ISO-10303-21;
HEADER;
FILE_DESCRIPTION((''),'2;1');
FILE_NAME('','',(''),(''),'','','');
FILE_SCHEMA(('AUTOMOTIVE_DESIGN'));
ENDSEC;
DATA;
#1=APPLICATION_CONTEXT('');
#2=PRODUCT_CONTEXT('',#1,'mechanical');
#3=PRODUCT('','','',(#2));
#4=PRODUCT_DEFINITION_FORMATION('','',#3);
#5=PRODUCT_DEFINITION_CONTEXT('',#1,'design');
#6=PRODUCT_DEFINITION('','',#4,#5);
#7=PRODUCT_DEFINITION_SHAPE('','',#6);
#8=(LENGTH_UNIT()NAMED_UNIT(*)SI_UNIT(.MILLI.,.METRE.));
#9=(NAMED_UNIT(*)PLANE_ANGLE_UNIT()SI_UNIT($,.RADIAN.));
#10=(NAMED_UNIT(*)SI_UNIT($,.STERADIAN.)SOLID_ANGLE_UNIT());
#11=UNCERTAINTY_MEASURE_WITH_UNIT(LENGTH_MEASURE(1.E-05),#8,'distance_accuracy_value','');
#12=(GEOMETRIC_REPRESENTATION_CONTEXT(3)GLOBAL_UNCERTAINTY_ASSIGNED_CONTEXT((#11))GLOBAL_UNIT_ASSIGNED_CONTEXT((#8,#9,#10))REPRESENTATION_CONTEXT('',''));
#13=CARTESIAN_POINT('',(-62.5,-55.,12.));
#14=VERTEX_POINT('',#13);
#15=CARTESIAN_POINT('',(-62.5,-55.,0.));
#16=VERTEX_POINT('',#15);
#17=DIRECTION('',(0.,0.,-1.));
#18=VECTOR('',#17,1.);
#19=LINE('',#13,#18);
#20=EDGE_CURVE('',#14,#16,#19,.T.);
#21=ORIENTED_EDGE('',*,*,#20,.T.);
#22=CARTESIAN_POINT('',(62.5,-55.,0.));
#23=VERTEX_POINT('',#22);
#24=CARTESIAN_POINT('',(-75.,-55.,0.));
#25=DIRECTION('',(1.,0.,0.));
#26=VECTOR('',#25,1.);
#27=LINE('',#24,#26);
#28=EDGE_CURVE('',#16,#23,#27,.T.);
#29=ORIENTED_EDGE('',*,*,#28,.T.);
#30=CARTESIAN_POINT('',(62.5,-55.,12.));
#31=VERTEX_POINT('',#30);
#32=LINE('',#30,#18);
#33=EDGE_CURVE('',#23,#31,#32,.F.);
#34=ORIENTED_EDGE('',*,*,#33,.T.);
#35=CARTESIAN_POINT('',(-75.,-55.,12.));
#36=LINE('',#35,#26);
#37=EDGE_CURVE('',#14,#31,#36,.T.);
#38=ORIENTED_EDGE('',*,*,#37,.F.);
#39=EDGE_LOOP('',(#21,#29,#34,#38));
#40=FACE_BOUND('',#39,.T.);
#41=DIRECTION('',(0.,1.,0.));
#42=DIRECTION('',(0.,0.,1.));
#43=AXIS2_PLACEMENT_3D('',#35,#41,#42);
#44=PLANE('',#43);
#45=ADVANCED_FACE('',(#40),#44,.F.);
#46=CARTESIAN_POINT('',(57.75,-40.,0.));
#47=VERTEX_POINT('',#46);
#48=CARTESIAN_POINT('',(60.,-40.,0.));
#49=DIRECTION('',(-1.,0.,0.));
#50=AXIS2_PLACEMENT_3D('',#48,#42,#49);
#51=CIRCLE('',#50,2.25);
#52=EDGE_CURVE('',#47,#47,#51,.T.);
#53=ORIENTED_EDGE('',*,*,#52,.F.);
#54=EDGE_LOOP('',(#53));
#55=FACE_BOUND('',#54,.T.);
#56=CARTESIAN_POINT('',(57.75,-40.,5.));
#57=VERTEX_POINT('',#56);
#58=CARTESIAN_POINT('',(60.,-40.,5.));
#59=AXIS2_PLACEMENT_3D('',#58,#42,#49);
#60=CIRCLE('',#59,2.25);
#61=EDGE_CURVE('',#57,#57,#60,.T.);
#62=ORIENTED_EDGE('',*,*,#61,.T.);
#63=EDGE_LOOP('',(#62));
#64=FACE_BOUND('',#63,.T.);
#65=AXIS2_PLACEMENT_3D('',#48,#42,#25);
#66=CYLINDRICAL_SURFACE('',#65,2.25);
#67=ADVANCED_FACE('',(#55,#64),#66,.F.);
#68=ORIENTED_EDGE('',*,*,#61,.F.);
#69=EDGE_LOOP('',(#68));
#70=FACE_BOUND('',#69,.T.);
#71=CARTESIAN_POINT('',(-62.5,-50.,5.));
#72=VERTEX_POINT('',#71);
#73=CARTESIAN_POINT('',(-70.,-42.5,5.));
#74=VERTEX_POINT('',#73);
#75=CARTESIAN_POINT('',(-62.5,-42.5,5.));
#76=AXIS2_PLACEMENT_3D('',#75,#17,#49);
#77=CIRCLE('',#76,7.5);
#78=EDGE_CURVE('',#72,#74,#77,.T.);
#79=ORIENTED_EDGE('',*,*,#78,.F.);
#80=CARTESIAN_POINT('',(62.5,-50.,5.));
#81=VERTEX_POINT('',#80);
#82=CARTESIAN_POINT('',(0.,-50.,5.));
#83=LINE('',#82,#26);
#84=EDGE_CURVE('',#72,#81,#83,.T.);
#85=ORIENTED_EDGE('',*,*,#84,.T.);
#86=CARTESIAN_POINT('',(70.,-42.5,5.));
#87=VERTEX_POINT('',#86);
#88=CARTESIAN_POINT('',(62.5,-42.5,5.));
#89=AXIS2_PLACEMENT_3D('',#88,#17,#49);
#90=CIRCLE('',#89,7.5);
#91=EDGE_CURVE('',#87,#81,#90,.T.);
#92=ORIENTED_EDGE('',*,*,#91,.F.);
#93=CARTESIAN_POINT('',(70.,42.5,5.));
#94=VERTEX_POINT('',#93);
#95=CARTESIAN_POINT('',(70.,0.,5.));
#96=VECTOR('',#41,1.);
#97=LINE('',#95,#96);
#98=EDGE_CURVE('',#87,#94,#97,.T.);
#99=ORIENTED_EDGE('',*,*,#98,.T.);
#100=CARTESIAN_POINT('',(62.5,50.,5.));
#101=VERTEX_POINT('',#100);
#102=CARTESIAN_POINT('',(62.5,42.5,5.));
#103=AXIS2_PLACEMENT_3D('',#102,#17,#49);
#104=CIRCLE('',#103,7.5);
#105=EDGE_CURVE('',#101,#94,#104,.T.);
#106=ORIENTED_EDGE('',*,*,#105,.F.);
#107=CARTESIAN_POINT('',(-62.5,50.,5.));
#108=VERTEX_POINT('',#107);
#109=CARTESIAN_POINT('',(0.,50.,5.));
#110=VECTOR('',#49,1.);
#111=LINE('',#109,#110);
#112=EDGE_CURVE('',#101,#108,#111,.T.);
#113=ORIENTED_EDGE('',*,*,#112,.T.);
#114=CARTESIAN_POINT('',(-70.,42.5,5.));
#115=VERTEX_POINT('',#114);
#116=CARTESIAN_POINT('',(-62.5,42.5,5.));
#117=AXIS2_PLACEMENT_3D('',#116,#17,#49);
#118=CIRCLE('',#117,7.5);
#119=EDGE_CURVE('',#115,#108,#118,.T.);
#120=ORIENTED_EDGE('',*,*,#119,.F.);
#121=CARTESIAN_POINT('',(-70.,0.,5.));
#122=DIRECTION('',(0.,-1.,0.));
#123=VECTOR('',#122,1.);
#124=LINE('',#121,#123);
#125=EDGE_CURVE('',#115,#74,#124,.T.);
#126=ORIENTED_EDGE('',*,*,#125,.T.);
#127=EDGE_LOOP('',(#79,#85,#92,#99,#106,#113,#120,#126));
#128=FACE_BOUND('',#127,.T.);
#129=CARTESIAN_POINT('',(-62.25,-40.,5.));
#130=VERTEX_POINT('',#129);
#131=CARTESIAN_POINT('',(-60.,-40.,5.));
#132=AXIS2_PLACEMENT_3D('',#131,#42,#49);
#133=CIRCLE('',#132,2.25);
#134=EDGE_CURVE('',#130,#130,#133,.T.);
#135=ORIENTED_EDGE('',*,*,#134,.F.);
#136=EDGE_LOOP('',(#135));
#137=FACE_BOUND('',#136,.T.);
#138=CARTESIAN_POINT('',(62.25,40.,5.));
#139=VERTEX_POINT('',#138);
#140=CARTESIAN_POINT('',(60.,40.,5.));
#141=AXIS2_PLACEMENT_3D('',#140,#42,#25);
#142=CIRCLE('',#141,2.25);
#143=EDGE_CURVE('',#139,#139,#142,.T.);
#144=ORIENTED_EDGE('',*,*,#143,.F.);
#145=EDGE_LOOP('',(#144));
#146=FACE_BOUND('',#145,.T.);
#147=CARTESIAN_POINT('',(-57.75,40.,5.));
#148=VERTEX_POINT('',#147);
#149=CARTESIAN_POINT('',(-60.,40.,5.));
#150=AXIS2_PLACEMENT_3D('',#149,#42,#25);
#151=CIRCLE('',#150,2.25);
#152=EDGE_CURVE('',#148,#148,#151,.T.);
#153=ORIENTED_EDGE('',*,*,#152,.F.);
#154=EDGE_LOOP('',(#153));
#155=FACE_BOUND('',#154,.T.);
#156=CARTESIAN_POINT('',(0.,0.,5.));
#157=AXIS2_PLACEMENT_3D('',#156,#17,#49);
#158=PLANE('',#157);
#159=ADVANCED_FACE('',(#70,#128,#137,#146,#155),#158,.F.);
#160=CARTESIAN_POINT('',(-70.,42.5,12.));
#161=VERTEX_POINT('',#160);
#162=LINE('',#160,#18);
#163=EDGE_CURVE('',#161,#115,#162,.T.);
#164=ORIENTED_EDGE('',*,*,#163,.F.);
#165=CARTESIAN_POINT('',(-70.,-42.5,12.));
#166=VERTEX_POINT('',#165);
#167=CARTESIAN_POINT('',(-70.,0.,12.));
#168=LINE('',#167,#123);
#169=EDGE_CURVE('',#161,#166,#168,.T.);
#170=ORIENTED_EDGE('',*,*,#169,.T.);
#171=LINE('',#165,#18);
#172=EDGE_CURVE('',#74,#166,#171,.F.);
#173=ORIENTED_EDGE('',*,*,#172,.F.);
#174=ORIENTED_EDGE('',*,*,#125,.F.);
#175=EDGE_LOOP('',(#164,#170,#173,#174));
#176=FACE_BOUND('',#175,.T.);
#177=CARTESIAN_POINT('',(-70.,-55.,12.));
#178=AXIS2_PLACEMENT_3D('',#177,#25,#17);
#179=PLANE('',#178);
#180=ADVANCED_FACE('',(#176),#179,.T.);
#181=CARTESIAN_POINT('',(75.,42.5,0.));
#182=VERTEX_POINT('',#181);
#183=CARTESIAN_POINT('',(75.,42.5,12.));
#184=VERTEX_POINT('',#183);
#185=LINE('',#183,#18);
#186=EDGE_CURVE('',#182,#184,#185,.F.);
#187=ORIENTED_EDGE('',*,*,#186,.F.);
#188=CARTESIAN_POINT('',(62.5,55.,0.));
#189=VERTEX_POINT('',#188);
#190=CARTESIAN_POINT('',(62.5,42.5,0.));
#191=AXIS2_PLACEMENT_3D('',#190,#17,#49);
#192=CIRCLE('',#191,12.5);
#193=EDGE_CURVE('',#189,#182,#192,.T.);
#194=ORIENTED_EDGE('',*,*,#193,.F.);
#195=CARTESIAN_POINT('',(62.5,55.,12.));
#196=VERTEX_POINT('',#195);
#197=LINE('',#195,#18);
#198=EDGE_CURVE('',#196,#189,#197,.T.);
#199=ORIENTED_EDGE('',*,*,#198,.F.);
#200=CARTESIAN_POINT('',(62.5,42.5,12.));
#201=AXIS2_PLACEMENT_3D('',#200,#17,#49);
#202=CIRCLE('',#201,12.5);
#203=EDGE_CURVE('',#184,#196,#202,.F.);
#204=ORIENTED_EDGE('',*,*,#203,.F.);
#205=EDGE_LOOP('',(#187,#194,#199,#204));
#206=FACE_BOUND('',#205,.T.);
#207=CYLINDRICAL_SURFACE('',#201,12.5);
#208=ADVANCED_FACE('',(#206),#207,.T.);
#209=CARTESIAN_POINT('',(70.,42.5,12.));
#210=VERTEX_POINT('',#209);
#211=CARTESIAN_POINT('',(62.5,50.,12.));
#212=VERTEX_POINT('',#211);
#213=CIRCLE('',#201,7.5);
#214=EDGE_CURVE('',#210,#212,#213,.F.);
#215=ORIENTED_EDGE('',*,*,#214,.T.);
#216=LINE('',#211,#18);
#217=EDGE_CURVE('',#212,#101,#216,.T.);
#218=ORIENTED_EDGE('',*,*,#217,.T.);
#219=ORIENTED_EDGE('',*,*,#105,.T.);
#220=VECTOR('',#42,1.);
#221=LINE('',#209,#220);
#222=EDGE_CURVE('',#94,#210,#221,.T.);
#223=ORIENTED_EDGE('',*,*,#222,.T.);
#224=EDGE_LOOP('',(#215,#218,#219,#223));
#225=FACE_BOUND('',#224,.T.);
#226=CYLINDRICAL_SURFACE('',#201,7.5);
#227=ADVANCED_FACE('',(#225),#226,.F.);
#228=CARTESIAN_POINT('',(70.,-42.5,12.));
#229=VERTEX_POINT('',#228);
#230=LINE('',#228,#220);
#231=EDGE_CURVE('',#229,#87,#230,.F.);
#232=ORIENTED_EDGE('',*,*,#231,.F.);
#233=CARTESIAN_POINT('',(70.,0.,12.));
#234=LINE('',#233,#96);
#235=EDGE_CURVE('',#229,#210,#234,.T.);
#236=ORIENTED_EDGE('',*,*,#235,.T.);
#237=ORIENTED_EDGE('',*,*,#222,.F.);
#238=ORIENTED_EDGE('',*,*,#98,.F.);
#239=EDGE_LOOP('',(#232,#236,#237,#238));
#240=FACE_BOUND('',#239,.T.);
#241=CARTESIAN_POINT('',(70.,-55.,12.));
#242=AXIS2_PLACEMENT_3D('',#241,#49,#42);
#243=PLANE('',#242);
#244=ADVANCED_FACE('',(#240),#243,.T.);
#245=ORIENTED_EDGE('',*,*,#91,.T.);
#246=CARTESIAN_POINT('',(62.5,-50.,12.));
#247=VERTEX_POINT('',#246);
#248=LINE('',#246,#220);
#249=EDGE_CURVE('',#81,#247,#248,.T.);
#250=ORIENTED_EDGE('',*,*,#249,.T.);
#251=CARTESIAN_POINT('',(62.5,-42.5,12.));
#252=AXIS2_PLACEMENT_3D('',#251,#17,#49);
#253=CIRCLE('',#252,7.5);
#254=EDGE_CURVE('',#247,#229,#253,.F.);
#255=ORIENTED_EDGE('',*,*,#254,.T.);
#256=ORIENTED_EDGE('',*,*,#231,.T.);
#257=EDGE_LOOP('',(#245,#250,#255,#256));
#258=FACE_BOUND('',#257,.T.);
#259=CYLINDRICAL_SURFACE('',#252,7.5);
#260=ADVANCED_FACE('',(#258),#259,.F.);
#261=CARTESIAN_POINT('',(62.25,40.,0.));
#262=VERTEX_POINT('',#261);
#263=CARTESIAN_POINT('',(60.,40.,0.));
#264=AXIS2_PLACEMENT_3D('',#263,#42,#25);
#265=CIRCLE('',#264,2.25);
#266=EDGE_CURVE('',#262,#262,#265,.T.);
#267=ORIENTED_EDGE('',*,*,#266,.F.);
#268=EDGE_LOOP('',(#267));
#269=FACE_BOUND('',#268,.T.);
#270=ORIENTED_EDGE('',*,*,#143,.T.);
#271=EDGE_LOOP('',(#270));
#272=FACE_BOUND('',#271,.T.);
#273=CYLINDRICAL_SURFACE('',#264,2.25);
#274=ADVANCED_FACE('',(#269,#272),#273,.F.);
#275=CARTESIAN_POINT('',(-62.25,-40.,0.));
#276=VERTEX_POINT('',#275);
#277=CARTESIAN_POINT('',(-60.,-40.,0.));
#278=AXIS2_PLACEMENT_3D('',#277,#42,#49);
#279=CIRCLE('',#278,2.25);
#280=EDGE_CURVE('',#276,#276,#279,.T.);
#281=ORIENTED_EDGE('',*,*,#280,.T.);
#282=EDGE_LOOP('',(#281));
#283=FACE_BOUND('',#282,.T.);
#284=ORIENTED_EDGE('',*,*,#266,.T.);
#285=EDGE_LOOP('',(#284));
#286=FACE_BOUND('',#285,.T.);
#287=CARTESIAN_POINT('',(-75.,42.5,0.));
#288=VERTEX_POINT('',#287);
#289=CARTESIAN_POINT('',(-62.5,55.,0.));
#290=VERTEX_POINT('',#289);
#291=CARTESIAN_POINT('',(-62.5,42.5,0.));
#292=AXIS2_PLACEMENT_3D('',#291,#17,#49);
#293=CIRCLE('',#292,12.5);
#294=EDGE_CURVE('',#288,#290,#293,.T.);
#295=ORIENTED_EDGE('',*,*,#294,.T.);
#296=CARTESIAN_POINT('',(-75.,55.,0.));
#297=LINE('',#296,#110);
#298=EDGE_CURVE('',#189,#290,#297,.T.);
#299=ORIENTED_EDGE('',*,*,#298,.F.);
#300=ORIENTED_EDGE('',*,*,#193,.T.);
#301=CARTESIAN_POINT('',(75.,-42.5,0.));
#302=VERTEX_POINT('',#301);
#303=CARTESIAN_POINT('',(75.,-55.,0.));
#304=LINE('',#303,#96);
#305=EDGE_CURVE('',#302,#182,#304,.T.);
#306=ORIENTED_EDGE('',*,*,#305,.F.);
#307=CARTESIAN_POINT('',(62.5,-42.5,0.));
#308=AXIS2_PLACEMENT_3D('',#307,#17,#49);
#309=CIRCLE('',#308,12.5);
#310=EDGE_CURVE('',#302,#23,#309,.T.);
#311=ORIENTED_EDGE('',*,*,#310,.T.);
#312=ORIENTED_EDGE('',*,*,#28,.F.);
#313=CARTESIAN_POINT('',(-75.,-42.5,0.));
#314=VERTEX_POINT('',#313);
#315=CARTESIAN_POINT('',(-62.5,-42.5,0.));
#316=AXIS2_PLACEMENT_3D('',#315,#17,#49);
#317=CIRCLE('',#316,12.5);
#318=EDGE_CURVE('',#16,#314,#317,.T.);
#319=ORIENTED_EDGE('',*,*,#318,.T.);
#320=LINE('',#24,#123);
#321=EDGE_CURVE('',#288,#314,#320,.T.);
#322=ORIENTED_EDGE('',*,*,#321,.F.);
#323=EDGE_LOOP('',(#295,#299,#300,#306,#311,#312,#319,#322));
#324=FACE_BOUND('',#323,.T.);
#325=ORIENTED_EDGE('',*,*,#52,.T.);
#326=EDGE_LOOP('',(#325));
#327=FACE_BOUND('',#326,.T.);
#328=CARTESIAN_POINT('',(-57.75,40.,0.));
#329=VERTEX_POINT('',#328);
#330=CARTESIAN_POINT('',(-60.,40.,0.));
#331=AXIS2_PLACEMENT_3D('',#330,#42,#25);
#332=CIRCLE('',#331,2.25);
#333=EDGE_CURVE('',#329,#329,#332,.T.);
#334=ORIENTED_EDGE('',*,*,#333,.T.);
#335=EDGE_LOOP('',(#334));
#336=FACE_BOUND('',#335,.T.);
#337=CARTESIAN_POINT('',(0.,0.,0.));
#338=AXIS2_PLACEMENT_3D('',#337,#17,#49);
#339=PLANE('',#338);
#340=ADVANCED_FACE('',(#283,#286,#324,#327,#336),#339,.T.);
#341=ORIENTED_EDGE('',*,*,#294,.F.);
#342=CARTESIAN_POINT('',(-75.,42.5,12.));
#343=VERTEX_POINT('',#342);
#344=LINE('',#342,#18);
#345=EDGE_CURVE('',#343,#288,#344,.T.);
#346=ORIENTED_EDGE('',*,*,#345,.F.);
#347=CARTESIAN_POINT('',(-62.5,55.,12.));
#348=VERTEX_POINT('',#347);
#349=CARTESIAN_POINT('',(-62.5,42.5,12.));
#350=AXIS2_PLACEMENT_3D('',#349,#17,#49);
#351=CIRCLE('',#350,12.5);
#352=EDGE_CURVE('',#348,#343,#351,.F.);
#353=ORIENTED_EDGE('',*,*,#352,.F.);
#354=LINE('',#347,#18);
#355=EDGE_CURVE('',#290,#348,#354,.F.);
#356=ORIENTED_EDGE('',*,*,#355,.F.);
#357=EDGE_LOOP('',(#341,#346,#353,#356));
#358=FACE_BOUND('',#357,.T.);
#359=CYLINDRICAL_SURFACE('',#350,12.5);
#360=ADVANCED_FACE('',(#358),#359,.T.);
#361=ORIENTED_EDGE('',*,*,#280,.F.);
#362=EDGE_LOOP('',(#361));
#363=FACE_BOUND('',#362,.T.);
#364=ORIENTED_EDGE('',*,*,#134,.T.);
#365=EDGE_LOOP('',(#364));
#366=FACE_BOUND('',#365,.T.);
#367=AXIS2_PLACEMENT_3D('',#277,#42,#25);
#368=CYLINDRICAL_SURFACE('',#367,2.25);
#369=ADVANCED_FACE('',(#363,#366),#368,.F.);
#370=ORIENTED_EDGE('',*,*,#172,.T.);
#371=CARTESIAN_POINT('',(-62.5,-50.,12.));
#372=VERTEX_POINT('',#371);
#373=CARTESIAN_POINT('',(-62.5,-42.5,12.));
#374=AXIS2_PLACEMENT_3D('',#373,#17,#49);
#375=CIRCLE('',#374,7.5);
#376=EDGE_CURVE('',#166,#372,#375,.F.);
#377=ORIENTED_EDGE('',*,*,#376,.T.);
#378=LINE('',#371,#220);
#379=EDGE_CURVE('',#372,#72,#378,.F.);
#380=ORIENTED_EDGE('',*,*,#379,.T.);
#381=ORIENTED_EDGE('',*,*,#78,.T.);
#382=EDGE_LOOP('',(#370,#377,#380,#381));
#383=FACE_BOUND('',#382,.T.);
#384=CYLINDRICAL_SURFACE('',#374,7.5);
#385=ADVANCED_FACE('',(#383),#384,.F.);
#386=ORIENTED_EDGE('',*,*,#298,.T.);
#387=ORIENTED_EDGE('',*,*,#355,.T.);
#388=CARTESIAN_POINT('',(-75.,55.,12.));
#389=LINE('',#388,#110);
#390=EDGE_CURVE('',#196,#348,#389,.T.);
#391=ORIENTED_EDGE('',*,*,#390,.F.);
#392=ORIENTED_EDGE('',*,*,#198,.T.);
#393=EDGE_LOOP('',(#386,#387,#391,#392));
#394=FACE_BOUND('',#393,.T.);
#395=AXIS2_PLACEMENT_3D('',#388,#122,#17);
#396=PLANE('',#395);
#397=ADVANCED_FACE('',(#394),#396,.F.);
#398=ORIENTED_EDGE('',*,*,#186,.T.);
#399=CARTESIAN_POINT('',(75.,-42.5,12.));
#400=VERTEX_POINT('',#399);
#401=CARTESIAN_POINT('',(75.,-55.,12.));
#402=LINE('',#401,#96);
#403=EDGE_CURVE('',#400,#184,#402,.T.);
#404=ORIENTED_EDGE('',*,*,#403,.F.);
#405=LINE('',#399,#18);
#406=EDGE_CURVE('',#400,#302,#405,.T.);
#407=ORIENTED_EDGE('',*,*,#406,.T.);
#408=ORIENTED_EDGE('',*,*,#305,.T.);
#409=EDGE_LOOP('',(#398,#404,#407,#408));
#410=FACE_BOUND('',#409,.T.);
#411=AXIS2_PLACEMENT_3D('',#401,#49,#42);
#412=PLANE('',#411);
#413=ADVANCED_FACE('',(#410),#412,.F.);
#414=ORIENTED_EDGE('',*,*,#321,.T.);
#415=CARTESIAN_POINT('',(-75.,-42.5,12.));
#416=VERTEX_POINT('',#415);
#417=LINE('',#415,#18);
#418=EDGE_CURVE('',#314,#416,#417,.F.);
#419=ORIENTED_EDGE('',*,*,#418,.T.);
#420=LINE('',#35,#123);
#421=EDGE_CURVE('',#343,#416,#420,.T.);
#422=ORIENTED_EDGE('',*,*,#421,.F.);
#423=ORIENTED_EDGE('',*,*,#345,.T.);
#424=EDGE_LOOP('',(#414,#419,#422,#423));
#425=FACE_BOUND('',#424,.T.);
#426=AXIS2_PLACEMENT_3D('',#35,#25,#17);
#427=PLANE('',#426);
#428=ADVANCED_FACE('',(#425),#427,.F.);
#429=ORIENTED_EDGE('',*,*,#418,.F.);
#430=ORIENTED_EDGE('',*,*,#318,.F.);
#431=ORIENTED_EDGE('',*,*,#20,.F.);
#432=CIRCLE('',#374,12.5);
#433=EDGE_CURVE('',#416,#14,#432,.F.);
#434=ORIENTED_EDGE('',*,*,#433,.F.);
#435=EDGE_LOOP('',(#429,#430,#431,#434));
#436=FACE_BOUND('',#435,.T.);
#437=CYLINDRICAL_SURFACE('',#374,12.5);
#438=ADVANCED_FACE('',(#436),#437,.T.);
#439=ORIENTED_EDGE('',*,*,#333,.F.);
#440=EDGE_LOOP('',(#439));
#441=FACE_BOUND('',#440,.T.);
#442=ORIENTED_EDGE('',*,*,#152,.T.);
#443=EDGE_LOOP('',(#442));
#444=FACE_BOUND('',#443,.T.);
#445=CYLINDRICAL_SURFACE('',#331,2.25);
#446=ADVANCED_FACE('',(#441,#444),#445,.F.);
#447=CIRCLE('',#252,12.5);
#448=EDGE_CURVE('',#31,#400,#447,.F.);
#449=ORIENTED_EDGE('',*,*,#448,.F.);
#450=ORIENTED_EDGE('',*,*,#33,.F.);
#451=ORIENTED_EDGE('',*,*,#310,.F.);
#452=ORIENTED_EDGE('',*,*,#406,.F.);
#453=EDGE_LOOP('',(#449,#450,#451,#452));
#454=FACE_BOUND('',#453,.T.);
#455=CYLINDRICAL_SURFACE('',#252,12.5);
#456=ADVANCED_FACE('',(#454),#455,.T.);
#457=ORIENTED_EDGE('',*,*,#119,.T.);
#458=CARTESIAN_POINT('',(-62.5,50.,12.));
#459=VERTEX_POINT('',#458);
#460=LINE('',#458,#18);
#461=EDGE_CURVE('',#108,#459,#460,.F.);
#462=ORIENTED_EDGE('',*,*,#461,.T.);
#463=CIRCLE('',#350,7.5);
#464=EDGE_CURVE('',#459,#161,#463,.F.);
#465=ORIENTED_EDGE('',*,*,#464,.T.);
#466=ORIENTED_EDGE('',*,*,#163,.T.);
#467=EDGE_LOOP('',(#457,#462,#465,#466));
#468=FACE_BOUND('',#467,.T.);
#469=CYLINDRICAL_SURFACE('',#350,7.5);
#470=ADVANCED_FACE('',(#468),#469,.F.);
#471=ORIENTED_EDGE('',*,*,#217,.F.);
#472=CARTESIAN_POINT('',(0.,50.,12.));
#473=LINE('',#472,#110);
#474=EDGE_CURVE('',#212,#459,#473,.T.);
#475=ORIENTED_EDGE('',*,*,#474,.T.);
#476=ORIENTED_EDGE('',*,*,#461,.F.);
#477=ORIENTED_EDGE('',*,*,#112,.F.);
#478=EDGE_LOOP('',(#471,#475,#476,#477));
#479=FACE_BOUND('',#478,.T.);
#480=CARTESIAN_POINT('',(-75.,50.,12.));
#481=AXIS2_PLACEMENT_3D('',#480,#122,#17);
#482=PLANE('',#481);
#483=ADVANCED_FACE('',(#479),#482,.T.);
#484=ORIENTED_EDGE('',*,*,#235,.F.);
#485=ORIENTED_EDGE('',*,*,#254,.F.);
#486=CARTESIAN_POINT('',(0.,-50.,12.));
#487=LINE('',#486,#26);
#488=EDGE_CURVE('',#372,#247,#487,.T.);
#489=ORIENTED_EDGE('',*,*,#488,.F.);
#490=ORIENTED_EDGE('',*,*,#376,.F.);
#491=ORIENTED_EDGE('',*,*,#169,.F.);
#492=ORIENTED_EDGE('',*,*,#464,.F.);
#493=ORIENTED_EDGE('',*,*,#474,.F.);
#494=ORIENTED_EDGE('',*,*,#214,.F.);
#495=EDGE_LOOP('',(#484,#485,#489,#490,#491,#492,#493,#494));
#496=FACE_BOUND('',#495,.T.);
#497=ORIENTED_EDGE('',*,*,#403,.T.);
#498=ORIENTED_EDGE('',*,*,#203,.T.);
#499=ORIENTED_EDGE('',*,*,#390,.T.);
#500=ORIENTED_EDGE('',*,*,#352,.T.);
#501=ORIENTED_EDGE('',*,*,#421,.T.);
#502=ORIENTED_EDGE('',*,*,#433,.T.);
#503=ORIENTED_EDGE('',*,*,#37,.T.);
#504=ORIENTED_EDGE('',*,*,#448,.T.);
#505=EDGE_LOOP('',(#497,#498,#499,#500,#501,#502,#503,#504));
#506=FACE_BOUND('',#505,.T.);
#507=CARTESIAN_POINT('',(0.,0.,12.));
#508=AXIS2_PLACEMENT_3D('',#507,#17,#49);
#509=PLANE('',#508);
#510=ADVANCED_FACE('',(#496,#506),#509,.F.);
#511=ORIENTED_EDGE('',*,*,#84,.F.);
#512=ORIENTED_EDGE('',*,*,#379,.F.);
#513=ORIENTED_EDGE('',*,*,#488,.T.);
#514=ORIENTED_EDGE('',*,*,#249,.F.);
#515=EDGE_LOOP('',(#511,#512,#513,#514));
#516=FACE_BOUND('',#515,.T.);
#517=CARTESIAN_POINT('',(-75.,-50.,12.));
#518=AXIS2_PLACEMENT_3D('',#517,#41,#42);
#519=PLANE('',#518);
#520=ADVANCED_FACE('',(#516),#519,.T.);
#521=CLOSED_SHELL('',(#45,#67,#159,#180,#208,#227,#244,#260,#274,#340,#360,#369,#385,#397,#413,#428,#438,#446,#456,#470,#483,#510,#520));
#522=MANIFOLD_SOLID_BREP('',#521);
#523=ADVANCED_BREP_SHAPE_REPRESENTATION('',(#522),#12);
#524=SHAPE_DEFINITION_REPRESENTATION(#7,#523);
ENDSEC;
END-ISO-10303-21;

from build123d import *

# Parameters (mm, degrees)
SKETCH_1_W          = 150
SKETCH_1_H          = 110
EXTRUDE_1_DEPTH     = 12
FILLET_1_R          = 12.5
SHELL_1_T           = -5
SKETCH_3_R          = 2.25
CUT_EXTRUDE_1_DEPTH = 94.268429814


with BuildPart() as part:
    # 草图1 → 凸台-拉伸1 (new body)
    with BuildSketch(Plane.XY):
        Rectangle(SKETCH_1_W, SKETCH_1_H)
    extrude(amount=EXTRUDE_1_DEPTH)

    # 圆角1
    fillet_1_edges = [part.edges().sort_by_distance(p)[0] for p in [
        (75, -55, 6),
        (-75, -55, 6),
        (-75, 55, 6),
        (75, 55, 6),
    ]]
    fillet(fillet_1_edges, radius=FILLET_1_R)

    # 抽壳1
    shell_1_openings = [part.faces().sort_by_distance(p)[0] for p in [
        (0, 0, 12),
    ]]
    offset(amount=SHELL_1_T, openings=shell_1_openings, kind=Kind.INTERSECTION)

    # 草图3 → 切除-拉伸1 (cut, through all)
    with BuildSketch(Plane.XY.offset(5)):
        with Locations((-60, 40)):
            Circle(SKETCH_3_R)
        with Locations((60, 40)):
            Circle(SKETCH_3_R)
        with Locations(Location((60, -40, 0), (0, 0, 180))):
            Circle(SKETCH_3_R)
        with Locations(Location((-60, -40, 0), (0, 0, 180))):
            Circle(SKETCH_3_R)
    extrude(amount=-CUT_EXTRUDE_1_DEPTH, mode=Mode.SUBTRACT)


solid = part.part
